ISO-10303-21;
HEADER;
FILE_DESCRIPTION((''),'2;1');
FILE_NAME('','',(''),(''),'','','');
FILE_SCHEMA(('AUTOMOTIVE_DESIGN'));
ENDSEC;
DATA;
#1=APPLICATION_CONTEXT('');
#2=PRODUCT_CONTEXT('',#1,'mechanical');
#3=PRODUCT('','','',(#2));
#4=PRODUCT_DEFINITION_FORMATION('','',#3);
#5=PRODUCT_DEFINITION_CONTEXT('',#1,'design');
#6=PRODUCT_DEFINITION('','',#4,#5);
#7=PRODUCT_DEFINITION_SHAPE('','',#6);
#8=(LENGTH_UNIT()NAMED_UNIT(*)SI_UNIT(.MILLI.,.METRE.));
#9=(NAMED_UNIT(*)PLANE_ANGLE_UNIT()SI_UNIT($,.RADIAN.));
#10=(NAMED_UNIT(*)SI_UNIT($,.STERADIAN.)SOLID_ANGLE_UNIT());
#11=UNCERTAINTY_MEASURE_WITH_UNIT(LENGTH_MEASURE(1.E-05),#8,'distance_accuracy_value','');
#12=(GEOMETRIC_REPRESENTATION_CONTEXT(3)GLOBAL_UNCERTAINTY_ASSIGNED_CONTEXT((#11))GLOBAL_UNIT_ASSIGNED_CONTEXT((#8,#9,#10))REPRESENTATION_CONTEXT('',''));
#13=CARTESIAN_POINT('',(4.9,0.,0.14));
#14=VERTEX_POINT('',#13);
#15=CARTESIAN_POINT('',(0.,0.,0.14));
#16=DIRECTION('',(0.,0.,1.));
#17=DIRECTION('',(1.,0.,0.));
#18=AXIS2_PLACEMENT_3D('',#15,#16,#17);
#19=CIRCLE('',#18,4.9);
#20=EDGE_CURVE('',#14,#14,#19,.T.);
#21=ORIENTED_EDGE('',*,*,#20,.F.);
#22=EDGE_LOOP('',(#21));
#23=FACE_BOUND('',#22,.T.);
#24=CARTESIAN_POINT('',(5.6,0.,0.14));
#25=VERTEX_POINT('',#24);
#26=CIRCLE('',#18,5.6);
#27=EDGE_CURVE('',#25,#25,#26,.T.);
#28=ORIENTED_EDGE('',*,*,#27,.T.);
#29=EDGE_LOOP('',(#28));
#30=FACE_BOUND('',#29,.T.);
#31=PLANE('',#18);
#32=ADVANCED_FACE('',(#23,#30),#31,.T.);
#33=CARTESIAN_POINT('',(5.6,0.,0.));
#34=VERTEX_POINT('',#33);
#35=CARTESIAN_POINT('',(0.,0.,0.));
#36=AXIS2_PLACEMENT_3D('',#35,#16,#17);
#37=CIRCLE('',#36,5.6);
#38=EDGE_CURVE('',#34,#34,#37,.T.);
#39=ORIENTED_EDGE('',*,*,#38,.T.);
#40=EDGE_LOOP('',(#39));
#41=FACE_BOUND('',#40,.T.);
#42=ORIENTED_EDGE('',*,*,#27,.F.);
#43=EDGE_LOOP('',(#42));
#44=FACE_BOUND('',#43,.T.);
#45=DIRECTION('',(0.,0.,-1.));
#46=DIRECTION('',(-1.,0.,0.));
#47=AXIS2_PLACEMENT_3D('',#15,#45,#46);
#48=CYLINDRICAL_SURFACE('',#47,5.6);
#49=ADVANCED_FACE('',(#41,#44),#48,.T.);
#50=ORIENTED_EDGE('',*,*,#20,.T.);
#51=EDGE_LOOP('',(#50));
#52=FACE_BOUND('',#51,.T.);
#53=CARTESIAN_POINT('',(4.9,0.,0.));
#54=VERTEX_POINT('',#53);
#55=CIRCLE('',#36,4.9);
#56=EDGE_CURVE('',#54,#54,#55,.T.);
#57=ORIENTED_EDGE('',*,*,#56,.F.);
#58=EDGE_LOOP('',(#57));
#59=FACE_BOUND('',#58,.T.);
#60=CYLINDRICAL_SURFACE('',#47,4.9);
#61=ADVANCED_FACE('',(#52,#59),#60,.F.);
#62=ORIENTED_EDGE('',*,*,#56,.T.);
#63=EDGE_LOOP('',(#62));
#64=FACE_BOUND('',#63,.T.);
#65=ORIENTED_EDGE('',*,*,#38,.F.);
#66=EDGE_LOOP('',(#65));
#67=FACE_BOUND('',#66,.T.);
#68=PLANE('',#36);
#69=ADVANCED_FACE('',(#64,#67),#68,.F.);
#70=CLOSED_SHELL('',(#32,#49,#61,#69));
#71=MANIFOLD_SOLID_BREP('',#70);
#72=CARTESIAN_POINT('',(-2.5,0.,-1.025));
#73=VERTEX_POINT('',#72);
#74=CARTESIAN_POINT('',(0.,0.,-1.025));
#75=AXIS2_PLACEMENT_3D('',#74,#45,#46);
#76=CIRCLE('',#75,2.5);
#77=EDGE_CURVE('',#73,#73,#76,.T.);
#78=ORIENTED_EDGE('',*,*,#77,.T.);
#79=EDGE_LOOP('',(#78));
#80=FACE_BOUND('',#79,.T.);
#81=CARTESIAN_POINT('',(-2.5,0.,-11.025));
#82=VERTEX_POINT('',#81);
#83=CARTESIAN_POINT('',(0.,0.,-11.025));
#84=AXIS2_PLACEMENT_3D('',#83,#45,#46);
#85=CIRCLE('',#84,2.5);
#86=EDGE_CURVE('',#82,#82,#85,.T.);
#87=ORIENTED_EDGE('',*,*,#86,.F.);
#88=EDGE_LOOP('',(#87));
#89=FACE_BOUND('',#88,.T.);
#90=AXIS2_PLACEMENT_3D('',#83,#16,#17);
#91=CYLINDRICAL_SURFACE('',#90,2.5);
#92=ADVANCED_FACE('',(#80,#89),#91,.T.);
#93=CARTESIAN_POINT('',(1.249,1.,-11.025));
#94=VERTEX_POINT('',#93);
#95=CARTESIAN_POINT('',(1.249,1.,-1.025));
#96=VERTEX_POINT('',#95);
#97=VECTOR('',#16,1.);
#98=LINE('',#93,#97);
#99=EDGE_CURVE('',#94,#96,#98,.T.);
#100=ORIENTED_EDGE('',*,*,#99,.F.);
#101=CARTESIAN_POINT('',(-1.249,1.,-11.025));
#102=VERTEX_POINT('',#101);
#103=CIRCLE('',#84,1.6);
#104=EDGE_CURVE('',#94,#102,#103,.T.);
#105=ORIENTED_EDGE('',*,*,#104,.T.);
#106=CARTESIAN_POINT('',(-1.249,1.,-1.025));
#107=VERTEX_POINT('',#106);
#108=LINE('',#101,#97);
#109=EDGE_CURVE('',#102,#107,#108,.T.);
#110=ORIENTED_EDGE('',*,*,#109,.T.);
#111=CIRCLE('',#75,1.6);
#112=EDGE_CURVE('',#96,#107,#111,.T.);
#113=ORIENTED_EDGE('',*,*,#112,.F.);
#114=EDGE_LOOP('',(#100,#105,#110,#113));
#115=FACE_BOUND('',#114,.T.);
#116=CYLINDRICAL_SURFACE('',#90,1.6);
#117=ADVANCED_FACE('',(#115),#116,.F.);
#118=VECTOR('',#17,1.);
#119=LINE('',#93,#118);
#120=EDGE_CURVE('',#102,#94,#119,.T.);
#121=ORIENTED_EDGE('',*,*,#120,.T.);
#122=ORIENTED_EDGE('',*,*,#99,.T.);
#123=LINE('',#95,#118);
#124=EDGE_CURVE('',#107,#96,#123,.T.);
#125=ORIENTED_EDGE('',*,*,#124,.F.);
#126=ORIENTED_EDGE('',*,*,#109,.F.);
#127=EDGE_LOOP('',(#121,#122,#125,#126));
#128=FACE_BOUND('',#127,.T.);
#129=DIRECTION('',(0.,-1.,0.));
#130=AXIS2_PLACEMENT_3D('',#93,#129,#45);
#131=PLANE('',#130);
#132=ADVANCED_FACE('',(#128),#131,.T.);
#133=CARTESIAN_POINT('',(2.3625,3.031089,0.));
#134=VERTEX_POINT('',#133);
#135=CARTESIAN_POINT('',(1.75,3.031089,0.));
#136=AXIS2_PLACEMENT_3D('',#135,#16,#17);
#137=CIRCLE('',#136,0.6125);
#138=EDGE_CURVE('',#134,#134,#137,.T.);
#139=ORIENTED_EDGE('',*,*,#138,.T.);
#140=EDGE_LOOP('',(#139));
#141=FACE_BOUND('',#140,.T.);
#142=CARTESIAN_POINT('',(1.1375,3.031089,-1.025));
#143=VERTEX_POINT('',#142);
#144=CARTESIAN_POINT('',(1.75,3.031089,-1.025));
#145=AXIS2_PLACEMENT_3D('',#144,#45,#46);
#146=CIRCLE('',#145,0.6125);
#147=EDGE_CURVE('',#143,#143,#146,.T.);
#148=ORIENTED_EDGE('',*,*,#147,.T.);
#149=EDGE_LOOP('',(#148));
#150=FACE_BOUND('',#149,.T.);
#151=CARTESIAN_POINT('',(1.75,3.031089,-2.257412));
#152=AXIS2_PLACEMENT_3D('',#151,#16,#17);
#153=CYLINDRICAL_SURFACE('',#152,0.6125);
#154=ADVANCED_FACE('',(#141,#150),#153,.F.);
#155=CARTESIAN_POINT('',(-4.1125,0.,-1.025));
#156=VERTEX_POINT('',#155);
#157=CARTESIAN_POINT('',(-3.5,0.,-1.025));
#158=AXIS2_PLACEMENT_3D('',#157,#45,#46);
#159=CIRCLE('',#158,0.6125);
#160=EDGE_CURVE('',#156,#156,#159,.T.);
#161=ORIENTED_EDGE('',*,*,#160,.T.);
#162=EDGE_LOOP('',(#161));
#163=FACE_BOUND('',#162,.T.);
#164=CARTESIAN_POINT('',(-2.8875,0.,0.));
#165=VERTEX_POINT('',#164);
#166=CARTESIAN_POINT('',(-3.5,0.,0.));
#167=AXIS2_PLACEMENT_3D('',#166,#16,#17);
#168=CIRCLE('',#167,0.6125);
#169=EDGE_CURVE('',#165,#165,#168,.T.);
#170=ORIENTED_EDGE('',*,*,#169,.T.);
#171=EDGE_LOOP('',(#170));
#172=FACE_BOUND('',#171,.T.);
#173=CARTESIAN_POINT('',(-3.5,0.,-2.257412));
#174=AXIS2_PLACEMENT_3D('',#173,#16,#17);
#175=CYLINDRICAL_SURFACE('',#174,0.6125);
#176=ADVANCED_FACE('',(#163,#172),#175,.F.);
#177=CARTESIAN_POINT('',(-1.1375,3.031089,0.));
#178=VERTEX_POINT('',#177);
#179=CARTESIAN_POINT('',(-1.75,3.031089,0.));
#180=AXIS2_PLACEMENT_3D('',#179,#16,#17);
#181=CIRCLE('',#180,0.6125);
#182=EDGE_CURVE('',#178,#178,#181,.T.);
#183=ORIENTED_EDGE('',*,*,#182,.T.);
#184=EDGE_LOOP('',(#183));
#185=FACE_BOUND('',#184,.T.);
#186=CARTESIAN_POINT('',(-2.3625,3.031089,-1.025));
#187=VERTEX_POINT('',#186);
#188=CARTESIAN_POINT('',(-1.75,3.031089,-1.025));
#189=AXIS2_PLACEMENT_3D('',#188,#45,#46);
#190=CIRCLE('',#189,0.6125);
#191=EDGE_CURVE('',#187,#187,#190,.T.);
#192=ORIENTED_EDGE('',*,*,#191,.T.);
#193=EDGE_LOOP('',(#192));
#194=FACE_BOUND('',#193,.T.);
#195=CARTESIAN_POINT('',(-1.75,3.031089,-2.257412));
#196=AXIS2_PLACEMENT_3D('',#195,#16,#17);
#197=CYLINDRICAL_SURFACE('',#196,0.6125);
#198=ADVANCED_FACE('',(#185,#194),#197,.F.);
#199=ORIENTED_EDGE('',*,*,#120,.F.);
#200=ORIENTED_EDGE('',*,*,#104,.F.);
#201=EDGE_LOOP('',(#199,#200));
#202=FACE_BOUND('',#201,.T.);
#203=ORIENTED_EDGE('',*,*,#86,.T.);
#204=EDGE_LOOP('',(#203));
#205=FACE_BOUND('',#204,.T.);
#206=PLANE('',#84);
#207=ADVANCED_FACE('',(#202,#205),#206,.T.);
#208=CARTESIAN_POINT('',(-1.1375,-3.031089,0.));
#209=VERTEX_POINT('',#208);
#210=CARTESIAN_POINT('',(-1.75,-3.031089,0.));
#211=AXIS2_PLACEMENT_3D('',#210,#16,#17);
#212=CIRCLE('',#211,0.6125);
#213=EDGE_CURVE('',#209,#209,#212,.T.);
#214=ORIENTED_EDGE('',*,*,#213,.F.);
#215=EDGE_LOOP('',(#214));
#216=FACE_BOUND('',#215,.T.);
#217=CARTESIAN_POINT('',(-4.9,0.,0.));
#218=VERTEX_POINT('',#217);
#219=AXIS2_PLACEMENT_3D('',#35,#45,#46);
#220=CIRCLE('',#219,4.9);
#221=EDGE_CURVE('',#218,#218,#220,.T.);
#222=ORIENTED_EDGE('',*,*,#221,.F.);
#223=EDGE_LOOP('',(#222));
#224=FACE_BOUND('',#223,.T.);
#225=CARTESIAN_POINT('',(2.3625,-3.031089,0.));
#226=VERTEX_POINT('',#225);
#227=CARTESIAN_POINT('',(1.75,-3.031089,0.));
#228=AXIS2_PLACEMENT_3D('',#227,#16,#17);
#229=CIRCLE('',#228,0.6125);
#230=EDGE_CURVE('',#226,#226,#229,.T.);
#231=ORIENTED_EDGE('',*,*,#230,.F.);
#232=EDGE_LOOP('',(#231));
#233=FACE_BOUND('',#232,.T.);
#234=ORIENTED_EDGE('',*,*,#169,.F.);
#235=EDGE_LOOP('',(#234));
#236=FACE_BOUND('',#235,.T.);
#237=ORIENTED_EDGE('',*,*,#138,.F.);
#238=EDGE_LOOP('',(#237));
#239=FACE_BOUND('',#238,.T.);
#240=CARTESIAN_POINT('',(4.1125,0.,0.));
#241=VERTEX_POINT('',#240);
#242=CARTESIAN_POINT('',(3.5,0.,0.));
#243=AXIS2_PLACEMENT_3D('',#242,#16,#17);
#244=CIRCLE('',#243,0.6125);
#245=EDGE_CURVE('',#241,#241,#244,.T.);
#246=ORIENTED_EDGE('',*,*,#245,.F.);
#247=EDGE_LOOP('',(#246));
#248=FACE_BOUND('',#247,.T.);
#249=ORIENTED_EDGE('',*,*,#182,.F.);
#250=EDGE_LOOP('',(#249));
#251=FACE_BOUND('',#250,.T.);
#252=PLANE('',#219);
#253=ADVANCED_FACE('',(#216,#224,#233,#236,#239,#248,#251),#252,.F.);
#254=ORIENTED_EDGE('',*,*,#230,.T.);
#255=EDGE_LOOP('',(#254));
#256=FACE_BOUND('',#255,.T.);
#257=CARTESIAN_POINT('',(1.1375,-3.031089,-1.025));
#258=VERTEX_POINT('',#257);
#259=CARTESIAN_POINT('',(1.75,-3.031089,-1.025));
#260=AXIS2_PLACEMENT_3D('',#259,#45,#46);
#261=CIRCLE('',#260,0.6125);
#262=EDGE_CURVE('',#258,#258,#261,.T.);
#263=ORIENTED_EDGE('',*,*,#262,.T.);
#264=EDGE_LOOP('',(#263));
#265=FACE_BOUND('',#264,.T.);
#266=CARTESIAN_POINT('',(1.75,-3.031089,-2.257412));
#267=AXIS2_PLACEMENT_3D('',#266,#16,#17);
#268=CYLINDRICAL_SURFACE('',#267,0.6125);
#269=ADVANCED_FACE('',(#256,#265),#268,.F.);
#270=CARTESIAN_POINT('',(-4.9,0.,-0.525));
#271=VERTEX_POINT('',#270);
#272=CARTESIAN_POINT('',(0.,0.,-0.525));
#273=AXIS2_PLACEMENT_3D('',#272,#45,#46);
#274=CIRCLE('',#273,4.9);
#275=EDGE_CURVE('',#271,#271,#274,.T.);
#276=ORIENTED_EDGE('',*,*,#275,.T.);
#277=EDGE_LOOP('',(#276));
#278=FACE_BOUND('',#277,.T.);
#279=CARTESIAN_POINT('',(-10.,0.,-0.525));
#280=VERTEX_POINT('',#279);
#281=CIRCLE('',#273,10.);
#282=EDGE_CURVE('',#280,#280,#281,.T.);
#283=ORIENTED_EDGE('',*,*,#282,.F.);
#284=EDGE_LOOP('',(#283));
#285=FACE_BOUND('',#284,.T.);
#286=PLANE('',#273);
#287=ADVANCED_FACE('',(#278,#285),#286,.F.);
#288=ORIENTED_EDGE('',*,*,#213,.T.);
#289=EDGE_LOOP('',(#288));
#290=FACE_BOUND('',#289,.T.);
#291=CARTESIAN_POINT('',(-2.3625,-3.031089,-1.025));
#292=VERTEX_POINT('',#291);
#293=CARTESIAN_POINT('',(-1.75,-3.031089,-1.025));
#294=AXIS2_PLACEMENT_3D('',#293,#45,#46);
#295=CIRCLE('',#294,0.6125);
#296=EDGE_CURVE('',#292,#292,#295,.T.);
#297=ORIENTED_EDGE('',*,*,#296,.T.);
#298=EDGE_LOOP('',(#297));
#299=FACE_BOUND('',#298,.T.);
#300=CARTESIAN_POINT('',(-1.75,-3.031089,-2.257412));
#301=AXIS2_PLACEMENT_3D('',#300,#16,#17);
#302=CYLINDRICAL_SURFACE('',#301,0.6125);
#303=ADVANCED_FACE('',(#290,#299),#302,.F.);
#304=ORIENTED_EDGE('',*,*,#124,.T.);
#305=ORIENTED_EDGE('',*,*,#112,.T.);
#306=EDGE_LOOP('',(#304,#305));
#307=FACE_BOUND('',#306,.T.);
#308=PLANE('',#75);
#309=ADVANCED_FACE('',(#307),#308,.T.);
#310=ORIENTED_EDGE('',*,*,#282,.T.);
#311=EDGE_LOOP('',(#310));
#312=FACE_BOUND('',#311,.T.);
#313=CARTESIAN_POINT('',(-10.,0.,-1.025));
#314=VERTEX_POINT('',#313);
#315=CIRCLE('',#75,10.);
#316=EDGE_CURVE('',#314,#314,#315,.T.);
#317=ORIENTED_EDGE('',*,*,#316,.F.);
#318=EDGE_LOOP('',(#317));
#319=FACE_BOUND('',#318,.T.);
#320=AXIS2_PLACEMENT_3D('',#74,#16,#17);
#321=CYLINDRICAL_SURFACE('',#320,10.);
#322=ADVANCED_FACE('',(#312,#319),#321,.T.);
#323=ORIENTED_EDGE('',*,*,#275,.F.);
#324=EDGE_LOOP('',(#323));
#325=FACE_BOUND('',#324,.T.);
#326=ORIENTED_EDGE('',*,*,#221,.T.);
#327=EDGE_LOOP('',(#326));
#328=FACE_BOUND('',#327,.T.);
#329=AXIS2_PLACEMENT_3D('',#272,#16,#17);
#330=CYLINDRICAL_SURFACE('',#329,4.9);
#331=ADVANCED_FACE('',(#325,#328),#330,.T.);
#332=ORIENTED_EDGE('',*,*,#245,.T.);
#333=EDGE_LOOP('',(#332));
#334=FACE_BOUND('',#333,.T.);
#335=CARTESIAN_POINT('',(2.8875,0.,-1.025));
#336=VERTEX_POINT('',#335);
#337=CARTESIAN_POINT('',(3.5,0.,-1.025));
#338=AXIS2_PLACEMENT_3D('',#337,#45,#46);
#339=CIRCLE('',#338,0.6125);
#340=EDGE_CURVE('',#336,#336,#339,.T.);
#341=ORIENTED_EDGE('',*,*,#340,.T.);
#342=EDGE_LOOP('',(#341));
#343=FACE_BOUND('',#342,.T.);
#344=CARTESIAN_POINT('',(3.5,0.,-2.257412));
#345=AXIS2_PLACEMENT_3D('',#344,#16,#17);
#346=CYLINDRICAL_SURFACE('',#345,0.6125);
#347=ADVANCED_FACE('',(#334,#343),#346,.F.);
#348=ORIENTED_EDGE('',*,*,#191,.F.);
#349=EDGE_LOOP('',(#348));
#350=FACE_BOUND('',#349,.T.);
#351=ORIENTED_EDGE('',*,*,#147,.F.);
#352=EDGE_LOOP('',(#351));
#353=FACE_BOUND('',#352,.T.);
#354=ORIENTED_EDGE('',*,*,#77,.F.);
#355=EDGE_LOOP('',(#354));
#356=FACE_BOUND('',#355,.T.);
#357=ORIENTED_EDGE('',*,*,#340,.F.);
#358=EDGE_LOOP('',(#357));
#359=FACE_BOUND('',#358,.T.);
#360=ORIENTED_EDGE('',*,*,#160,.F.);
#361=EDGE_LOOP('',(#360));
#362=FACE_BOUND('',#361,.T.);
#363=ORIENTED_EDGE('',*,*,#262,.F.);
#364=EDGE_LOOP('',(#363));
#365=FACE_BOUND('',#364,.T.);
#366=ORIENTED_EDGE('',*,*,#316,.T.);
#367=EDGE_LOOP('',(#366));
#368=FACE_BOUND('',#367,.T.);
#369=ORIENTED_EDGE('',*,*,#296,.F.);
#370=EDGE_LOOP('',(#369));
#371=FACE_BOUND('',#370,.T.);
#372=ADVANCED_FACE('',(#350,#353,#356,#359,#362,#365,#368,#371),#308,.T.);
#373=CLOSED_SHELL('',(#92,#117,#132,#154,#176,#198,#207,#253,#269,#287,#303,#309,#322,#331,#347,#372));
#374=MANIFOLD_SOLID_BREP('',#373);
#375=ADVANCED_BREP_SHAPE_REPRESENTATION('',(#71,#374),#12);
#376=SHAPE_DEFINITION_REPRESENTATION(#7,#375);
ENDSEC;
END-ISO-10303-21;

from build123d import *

# Parameters (mm, degrees)
SKETCH_1_R          = 16
SKETCH_1_R_2        = 14
EXTRUDE_1_DEPTH     = 0.4
SKETCH_2_R          = 14
EXTRUDE_1_2_DEPTH   = 1.5
SKETCH_3_R          = 1.75
CUT_EXTRUDE_1_DEPTH = 1.5
SCALE_1_SCALE       = 0.35
SKETCH_4_R          = 10
SKETCH_4_R_2        = 0.6125
EXTRUDE_2_DEPTH     = 0.5
SKETCH_5_R          = 2.5
EXTRUDE_3_DEPTH     = 10


with BuildPart() as part:
    # 草图1 → Extrude 1 (new body)
    with BuildSketch(Plane.XY):
        Circle(SKETCH_1_R)
        Circle(SKETCH_1_R_2, mode=Mode.SUBTRACT)
    extrude(amount=EXTRUDE_1_DEPTH)


with BuildPart() as body_2:
    # 草图2 → Extrude 1 2 (new body)
    with BuildSketch(Plane(origin=(0, 0, 0), x_dir=(-1, 0, 0), z_dir=(0, 0, -1))):
        Circle(SKETCH_2_R)
    extrude(amount=EXTRUDE_1_2_DEPTH)

    # 草图3 → 切除-拉伸1 (cut)
    with BuildSketch(Plane.XY):
        with Locations((10, 0)):
            Circle(SKETCH_3_R)
        with Locations((5, -8.660254038)):
            Circle(SKETCH_3_R)
        with Locations((-5, -8.660254038)):
            Circle(SKETCH_3_R)
        with Locations((-10, 0)):
            Circle(SKETCH_3_R)
        with Locations((-5, 8.660254038)):
            Circle(SKETCH_3_R)
        with Locations((5, 8.660254038)):
            Circle(SKETCH_3_R)
    extrude(amount=-CUT_EXTRUDE_1_DEPTH, mode=Mode.SUBTRACT)


with BuildPart() as part_1:
    # 缩放比例1: scaled about (0, 0, 0)
    add(part.part.scale(SCALE_1_SCALE))


with BuildPart() as body_2_1:
    # 缩放比例1: scaled about (0, 0, 0)
    add(body_2.part.scale(SCALE_1_SCALE))

    # 草图4 → 凸台-拉伸2 (add)
    with BuildSketch(Plane(origin=(0, 0, -0.525), x_dir=(-1, 0, 0), z_dir=(0, 0, -1))):
        Circle(SKETCH_4_R)
        with Locations(Location((1.75, -3.031088913, 0), (0, 0, 180))):
            Circle(SKETCH_4_R_2, mode=Mode.SUBTRACT)
        with Locations(Location((-1.75, -3.031088913, 0), (0, 0, 180))):
            Circle(SKETCH_4_R_2, mode=Mode.SUBTRACT)
        with Locations(Location((-3.5, 0, 0), (0, 0, 180))):
            Circle(SKETCH_4_R_2, mode=Mode.SUBTRACT)
        with Locations(Location((-1.75, 3.031088913, 0), (0, 0, 180))):
            Circle(SKETCH_4_R_2, mode=Mode.SUBTRACT)
        with Locations(Location((1.75, 3.031088913, 0), (0, 0, 180))):
            Circle(SKETCH_4_R_2, mode=Mode.SUBTRACT)
        with Locations(Location((3.5, 0, 0), (0, 0, 180))):
            Circle(SKETCH_4_R_2, mode=Mode.SUBTRACT)
    extrude(amount=EXTRUDE_2_DEPTH)

    # 草图5 → 凸台-拉伸3 (add)
    with BuildSketch(Plane(origin=(0, 0, -1.025), x_dir=(-1, 0, 0), z_dir=(0, 0, -1))):
        Circle(SKETCH_5_R)
        with BuildLine():
            Line((-1.2489996, 1), (1.2489996, 1))
            ThreePointArc((1.2489996, 1), (0, -1.6), (-1.2489996, 1))
        make_face(mode=Mode.SUBTRACT)
    extrude(amount=EXTRUDE_3_DEPTH)


solid = Compound([part_1.part, body_2_1.part])
